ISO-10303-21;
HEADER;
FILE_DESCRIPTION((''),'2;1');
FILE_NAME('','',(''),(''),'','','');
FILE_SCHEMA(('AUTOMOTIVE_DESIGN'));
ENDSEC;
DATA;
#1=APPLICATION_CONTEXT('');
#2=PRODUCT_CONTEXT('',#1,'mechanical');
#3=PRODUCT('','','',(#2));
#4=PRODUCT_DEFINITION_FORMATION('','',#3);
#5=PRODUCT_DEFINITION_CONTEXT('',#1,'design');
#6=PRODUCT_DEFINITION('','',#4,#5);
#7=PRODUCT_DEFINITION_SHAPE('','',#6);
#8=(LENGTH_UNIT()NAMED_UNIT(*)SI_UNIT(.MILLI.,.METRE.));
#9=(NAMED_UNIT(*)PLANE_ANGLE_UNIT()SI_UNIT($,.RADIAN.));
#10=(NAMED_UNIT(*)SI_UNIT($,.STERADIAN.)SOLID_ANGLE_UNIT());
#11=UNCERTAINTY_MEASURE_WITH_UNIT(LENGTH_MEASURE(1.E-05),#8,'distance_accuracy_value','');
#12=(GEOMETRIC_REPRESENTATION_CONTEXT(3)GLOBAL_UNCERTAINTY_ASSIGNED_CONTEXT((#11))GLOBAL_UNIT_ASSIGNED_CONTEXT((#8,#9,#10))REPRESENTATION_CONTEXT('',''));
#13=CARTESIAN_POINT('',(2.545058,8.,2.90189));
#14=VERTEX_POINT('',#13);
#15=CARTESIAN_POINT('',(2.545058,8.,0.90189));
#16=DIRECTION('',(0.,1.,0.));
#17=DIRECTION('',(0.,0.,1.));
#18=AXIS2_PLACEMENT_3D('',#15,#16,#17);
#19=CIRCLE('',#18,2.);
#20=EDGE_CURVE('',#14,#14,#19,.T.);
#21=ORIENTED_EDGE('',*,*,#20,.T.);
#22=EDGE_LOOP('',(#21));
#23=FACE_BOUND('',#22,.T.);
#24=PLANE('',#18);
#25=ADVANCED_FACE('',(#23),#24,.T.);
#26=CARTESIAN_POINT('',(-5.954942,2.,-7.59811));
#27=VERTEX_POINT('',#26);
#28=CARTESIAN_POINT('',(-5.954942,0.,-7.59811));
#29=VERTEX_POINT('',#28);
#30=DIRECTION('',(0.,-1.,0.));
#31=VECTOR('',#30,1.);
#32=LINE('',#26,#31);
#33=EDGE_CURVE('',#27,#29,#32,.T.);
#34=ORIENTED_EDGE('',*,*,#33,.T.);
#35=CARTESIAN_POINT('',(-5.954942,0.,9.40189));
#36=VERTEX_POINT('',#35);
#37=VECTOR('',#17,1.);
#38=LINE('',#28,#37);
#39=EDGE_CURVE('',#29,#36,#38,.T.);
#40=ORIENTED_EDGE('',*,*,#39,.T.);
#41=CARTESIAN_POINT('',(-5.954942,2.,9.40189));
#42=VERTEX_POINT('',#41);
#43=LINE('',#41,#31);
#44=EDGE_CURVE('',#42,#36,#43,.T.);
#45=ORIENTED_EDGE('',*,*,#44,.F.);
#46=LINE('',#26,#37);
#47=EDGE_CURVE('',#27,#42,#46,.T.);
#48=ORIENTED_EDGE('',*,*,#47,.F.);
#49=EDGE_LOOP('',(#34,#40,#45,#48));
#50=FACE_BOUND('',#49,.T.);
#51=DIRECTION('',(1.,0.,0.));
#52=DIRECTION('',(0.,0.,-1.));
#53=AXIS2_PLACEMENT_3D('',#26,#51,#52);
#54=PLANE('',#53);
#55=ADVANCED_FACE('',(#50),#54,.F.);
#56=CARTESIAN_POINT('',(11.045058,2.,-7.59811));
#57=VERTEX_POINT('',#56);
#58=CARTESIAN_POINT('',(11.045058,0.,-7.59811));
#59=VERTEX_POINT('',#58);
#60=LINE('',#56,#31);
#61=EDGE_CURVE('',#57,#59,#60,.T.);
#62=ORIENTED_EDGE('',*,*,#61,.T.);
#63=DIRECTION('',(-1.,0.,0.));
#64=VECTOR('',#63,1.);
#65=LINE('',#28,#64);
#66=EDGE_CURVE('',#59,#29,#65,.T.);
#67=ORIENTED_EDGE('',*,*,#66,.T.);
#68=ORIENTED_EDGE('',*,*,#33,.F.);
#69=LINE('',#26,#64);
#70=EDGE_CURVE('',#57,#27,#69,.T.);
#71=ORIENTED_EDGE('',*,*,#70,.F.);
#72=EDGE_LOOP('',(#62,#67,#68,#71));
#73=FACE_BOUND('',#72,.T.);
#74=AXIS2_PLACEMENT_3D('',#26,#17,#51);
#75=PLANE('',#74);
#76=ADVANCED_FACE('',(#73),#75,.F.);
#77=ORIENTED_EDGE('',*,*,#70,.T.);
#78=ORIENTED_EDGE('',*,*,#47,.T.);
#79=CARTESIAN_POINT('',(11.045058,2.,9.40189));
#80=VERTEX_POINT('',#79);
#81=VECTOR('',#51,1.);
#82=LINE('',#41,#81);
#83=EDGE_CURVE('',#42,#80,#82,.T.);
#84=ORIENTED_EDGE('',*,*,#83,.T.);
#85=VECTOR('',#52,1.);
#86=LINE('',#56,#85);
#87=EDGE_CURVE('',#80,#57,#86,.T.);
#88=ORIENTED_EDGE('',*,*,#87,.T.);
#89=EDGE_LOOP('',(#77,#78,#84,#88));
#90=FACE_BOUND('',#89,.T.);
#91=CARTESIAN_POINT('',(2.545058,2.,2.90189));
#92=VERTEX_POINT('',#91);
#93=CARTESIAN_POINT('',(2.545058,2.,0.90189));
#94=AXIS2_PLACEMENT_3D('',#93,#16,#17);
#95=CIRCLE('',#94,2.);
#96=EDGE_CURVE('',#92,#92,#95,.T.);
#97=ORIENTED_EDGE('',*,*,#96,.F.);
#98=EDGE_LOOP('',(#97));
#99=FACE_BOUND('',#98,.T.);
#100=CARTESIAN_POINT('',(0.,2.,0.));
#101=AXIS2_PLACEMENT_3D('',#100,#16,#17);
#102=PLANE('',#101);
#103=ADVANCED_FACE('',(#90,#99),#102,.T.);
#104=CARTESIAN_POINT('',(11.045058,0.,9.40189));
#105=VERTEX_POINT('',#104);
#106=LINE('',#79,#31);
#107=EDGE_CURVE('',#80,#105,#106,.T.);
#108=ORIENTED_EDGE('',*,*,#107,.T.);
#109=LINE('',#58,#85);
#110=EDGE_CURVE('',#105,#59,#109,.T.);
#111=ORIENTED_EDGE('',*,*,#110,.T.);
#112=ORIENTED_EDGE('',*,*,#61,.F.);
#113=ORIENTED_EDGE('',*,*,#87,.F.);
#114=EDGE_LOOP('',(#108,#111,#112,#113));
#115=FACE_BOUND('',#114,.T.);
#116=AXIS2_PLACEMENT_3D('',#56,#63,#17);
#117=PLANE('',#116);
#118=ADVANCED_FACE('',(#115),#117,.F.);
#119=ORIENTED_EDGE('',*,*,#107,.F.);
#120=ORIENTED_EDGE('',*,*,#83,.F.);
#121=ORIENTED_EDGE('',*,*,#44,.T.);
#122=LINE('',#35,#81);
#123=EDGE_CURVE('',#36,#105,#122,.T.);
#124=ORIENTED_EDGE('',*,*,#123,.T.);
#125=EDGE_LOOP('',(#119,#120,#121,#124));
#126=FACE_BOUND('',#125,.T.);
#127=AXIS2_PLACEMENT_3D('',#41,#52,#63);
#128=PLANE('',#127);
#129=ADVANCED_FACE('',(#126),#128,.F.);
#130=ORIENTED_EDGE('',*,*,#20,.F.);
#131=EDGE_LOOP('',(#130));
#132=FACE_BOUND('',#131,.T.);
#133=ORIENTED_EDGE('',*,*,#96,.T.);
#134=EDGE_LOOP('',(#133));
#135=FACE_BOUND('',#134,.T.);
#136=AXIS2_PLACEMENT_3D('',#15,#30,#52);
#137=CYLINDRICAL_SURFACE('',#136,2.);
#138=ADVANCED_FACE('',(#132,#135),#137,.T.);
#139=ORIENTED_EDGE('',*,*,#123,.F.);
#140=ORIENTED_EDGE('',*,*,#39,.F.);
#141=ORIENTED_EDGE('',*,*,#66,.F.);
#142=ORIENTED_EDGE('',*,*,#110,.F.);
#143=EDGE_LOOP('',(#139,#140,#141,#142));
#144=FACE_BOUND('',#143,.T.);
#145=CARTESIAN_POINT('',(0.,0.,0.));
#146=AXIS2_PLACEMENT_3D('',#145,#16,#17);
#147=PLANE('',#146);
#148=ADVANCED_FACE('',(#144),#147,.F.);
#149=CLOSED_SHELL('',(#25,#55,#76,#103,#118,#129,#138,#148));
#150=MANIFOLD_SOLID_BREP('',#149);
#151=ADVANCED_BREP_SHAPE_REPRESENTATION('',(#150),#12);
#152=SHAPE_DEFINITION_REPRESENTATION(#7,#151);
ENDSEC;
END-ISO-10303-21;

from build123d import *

# Parameters (mm, degrees)
SKETCH2_W           = 17
SKETCH2_H           = 17
BOSS_EXTRUDE1_DEPTH = 2
SKETCH3_R           = 2
BOSS_EXTRUDE2_DEPTH = 6


with BuildPart() as part:
    # Sketch2 → Boss-Extrude1 (new body)
    with BuildSketch(Plane(origin=(0, 0, 0), x_dir=(1, 0, 0), z_dir=(0, 1, 0))):
        with Locations((2.54505814, -0.901889535)):
            Rectangle(SKETCH2_W, SKETCH2_H)
    extrude(amount=BOSS_EXTRUDE1_DEPTH)

    # Sketch3 → Boss-Extrude2 (add)
    with BuildSketch(Plane(origin=(0, 2, 0), x_dir=(1, 0, 0), z_dir=(0, 1, 0))):
        with Locations(Location((2.54505814, -0.901889535, 0), (0, 0, 270))):
            Circle(SKETCH3_R)
    extrude(amount=BOSS_EXTRUDE2_DEPTH)


solid = part.part
